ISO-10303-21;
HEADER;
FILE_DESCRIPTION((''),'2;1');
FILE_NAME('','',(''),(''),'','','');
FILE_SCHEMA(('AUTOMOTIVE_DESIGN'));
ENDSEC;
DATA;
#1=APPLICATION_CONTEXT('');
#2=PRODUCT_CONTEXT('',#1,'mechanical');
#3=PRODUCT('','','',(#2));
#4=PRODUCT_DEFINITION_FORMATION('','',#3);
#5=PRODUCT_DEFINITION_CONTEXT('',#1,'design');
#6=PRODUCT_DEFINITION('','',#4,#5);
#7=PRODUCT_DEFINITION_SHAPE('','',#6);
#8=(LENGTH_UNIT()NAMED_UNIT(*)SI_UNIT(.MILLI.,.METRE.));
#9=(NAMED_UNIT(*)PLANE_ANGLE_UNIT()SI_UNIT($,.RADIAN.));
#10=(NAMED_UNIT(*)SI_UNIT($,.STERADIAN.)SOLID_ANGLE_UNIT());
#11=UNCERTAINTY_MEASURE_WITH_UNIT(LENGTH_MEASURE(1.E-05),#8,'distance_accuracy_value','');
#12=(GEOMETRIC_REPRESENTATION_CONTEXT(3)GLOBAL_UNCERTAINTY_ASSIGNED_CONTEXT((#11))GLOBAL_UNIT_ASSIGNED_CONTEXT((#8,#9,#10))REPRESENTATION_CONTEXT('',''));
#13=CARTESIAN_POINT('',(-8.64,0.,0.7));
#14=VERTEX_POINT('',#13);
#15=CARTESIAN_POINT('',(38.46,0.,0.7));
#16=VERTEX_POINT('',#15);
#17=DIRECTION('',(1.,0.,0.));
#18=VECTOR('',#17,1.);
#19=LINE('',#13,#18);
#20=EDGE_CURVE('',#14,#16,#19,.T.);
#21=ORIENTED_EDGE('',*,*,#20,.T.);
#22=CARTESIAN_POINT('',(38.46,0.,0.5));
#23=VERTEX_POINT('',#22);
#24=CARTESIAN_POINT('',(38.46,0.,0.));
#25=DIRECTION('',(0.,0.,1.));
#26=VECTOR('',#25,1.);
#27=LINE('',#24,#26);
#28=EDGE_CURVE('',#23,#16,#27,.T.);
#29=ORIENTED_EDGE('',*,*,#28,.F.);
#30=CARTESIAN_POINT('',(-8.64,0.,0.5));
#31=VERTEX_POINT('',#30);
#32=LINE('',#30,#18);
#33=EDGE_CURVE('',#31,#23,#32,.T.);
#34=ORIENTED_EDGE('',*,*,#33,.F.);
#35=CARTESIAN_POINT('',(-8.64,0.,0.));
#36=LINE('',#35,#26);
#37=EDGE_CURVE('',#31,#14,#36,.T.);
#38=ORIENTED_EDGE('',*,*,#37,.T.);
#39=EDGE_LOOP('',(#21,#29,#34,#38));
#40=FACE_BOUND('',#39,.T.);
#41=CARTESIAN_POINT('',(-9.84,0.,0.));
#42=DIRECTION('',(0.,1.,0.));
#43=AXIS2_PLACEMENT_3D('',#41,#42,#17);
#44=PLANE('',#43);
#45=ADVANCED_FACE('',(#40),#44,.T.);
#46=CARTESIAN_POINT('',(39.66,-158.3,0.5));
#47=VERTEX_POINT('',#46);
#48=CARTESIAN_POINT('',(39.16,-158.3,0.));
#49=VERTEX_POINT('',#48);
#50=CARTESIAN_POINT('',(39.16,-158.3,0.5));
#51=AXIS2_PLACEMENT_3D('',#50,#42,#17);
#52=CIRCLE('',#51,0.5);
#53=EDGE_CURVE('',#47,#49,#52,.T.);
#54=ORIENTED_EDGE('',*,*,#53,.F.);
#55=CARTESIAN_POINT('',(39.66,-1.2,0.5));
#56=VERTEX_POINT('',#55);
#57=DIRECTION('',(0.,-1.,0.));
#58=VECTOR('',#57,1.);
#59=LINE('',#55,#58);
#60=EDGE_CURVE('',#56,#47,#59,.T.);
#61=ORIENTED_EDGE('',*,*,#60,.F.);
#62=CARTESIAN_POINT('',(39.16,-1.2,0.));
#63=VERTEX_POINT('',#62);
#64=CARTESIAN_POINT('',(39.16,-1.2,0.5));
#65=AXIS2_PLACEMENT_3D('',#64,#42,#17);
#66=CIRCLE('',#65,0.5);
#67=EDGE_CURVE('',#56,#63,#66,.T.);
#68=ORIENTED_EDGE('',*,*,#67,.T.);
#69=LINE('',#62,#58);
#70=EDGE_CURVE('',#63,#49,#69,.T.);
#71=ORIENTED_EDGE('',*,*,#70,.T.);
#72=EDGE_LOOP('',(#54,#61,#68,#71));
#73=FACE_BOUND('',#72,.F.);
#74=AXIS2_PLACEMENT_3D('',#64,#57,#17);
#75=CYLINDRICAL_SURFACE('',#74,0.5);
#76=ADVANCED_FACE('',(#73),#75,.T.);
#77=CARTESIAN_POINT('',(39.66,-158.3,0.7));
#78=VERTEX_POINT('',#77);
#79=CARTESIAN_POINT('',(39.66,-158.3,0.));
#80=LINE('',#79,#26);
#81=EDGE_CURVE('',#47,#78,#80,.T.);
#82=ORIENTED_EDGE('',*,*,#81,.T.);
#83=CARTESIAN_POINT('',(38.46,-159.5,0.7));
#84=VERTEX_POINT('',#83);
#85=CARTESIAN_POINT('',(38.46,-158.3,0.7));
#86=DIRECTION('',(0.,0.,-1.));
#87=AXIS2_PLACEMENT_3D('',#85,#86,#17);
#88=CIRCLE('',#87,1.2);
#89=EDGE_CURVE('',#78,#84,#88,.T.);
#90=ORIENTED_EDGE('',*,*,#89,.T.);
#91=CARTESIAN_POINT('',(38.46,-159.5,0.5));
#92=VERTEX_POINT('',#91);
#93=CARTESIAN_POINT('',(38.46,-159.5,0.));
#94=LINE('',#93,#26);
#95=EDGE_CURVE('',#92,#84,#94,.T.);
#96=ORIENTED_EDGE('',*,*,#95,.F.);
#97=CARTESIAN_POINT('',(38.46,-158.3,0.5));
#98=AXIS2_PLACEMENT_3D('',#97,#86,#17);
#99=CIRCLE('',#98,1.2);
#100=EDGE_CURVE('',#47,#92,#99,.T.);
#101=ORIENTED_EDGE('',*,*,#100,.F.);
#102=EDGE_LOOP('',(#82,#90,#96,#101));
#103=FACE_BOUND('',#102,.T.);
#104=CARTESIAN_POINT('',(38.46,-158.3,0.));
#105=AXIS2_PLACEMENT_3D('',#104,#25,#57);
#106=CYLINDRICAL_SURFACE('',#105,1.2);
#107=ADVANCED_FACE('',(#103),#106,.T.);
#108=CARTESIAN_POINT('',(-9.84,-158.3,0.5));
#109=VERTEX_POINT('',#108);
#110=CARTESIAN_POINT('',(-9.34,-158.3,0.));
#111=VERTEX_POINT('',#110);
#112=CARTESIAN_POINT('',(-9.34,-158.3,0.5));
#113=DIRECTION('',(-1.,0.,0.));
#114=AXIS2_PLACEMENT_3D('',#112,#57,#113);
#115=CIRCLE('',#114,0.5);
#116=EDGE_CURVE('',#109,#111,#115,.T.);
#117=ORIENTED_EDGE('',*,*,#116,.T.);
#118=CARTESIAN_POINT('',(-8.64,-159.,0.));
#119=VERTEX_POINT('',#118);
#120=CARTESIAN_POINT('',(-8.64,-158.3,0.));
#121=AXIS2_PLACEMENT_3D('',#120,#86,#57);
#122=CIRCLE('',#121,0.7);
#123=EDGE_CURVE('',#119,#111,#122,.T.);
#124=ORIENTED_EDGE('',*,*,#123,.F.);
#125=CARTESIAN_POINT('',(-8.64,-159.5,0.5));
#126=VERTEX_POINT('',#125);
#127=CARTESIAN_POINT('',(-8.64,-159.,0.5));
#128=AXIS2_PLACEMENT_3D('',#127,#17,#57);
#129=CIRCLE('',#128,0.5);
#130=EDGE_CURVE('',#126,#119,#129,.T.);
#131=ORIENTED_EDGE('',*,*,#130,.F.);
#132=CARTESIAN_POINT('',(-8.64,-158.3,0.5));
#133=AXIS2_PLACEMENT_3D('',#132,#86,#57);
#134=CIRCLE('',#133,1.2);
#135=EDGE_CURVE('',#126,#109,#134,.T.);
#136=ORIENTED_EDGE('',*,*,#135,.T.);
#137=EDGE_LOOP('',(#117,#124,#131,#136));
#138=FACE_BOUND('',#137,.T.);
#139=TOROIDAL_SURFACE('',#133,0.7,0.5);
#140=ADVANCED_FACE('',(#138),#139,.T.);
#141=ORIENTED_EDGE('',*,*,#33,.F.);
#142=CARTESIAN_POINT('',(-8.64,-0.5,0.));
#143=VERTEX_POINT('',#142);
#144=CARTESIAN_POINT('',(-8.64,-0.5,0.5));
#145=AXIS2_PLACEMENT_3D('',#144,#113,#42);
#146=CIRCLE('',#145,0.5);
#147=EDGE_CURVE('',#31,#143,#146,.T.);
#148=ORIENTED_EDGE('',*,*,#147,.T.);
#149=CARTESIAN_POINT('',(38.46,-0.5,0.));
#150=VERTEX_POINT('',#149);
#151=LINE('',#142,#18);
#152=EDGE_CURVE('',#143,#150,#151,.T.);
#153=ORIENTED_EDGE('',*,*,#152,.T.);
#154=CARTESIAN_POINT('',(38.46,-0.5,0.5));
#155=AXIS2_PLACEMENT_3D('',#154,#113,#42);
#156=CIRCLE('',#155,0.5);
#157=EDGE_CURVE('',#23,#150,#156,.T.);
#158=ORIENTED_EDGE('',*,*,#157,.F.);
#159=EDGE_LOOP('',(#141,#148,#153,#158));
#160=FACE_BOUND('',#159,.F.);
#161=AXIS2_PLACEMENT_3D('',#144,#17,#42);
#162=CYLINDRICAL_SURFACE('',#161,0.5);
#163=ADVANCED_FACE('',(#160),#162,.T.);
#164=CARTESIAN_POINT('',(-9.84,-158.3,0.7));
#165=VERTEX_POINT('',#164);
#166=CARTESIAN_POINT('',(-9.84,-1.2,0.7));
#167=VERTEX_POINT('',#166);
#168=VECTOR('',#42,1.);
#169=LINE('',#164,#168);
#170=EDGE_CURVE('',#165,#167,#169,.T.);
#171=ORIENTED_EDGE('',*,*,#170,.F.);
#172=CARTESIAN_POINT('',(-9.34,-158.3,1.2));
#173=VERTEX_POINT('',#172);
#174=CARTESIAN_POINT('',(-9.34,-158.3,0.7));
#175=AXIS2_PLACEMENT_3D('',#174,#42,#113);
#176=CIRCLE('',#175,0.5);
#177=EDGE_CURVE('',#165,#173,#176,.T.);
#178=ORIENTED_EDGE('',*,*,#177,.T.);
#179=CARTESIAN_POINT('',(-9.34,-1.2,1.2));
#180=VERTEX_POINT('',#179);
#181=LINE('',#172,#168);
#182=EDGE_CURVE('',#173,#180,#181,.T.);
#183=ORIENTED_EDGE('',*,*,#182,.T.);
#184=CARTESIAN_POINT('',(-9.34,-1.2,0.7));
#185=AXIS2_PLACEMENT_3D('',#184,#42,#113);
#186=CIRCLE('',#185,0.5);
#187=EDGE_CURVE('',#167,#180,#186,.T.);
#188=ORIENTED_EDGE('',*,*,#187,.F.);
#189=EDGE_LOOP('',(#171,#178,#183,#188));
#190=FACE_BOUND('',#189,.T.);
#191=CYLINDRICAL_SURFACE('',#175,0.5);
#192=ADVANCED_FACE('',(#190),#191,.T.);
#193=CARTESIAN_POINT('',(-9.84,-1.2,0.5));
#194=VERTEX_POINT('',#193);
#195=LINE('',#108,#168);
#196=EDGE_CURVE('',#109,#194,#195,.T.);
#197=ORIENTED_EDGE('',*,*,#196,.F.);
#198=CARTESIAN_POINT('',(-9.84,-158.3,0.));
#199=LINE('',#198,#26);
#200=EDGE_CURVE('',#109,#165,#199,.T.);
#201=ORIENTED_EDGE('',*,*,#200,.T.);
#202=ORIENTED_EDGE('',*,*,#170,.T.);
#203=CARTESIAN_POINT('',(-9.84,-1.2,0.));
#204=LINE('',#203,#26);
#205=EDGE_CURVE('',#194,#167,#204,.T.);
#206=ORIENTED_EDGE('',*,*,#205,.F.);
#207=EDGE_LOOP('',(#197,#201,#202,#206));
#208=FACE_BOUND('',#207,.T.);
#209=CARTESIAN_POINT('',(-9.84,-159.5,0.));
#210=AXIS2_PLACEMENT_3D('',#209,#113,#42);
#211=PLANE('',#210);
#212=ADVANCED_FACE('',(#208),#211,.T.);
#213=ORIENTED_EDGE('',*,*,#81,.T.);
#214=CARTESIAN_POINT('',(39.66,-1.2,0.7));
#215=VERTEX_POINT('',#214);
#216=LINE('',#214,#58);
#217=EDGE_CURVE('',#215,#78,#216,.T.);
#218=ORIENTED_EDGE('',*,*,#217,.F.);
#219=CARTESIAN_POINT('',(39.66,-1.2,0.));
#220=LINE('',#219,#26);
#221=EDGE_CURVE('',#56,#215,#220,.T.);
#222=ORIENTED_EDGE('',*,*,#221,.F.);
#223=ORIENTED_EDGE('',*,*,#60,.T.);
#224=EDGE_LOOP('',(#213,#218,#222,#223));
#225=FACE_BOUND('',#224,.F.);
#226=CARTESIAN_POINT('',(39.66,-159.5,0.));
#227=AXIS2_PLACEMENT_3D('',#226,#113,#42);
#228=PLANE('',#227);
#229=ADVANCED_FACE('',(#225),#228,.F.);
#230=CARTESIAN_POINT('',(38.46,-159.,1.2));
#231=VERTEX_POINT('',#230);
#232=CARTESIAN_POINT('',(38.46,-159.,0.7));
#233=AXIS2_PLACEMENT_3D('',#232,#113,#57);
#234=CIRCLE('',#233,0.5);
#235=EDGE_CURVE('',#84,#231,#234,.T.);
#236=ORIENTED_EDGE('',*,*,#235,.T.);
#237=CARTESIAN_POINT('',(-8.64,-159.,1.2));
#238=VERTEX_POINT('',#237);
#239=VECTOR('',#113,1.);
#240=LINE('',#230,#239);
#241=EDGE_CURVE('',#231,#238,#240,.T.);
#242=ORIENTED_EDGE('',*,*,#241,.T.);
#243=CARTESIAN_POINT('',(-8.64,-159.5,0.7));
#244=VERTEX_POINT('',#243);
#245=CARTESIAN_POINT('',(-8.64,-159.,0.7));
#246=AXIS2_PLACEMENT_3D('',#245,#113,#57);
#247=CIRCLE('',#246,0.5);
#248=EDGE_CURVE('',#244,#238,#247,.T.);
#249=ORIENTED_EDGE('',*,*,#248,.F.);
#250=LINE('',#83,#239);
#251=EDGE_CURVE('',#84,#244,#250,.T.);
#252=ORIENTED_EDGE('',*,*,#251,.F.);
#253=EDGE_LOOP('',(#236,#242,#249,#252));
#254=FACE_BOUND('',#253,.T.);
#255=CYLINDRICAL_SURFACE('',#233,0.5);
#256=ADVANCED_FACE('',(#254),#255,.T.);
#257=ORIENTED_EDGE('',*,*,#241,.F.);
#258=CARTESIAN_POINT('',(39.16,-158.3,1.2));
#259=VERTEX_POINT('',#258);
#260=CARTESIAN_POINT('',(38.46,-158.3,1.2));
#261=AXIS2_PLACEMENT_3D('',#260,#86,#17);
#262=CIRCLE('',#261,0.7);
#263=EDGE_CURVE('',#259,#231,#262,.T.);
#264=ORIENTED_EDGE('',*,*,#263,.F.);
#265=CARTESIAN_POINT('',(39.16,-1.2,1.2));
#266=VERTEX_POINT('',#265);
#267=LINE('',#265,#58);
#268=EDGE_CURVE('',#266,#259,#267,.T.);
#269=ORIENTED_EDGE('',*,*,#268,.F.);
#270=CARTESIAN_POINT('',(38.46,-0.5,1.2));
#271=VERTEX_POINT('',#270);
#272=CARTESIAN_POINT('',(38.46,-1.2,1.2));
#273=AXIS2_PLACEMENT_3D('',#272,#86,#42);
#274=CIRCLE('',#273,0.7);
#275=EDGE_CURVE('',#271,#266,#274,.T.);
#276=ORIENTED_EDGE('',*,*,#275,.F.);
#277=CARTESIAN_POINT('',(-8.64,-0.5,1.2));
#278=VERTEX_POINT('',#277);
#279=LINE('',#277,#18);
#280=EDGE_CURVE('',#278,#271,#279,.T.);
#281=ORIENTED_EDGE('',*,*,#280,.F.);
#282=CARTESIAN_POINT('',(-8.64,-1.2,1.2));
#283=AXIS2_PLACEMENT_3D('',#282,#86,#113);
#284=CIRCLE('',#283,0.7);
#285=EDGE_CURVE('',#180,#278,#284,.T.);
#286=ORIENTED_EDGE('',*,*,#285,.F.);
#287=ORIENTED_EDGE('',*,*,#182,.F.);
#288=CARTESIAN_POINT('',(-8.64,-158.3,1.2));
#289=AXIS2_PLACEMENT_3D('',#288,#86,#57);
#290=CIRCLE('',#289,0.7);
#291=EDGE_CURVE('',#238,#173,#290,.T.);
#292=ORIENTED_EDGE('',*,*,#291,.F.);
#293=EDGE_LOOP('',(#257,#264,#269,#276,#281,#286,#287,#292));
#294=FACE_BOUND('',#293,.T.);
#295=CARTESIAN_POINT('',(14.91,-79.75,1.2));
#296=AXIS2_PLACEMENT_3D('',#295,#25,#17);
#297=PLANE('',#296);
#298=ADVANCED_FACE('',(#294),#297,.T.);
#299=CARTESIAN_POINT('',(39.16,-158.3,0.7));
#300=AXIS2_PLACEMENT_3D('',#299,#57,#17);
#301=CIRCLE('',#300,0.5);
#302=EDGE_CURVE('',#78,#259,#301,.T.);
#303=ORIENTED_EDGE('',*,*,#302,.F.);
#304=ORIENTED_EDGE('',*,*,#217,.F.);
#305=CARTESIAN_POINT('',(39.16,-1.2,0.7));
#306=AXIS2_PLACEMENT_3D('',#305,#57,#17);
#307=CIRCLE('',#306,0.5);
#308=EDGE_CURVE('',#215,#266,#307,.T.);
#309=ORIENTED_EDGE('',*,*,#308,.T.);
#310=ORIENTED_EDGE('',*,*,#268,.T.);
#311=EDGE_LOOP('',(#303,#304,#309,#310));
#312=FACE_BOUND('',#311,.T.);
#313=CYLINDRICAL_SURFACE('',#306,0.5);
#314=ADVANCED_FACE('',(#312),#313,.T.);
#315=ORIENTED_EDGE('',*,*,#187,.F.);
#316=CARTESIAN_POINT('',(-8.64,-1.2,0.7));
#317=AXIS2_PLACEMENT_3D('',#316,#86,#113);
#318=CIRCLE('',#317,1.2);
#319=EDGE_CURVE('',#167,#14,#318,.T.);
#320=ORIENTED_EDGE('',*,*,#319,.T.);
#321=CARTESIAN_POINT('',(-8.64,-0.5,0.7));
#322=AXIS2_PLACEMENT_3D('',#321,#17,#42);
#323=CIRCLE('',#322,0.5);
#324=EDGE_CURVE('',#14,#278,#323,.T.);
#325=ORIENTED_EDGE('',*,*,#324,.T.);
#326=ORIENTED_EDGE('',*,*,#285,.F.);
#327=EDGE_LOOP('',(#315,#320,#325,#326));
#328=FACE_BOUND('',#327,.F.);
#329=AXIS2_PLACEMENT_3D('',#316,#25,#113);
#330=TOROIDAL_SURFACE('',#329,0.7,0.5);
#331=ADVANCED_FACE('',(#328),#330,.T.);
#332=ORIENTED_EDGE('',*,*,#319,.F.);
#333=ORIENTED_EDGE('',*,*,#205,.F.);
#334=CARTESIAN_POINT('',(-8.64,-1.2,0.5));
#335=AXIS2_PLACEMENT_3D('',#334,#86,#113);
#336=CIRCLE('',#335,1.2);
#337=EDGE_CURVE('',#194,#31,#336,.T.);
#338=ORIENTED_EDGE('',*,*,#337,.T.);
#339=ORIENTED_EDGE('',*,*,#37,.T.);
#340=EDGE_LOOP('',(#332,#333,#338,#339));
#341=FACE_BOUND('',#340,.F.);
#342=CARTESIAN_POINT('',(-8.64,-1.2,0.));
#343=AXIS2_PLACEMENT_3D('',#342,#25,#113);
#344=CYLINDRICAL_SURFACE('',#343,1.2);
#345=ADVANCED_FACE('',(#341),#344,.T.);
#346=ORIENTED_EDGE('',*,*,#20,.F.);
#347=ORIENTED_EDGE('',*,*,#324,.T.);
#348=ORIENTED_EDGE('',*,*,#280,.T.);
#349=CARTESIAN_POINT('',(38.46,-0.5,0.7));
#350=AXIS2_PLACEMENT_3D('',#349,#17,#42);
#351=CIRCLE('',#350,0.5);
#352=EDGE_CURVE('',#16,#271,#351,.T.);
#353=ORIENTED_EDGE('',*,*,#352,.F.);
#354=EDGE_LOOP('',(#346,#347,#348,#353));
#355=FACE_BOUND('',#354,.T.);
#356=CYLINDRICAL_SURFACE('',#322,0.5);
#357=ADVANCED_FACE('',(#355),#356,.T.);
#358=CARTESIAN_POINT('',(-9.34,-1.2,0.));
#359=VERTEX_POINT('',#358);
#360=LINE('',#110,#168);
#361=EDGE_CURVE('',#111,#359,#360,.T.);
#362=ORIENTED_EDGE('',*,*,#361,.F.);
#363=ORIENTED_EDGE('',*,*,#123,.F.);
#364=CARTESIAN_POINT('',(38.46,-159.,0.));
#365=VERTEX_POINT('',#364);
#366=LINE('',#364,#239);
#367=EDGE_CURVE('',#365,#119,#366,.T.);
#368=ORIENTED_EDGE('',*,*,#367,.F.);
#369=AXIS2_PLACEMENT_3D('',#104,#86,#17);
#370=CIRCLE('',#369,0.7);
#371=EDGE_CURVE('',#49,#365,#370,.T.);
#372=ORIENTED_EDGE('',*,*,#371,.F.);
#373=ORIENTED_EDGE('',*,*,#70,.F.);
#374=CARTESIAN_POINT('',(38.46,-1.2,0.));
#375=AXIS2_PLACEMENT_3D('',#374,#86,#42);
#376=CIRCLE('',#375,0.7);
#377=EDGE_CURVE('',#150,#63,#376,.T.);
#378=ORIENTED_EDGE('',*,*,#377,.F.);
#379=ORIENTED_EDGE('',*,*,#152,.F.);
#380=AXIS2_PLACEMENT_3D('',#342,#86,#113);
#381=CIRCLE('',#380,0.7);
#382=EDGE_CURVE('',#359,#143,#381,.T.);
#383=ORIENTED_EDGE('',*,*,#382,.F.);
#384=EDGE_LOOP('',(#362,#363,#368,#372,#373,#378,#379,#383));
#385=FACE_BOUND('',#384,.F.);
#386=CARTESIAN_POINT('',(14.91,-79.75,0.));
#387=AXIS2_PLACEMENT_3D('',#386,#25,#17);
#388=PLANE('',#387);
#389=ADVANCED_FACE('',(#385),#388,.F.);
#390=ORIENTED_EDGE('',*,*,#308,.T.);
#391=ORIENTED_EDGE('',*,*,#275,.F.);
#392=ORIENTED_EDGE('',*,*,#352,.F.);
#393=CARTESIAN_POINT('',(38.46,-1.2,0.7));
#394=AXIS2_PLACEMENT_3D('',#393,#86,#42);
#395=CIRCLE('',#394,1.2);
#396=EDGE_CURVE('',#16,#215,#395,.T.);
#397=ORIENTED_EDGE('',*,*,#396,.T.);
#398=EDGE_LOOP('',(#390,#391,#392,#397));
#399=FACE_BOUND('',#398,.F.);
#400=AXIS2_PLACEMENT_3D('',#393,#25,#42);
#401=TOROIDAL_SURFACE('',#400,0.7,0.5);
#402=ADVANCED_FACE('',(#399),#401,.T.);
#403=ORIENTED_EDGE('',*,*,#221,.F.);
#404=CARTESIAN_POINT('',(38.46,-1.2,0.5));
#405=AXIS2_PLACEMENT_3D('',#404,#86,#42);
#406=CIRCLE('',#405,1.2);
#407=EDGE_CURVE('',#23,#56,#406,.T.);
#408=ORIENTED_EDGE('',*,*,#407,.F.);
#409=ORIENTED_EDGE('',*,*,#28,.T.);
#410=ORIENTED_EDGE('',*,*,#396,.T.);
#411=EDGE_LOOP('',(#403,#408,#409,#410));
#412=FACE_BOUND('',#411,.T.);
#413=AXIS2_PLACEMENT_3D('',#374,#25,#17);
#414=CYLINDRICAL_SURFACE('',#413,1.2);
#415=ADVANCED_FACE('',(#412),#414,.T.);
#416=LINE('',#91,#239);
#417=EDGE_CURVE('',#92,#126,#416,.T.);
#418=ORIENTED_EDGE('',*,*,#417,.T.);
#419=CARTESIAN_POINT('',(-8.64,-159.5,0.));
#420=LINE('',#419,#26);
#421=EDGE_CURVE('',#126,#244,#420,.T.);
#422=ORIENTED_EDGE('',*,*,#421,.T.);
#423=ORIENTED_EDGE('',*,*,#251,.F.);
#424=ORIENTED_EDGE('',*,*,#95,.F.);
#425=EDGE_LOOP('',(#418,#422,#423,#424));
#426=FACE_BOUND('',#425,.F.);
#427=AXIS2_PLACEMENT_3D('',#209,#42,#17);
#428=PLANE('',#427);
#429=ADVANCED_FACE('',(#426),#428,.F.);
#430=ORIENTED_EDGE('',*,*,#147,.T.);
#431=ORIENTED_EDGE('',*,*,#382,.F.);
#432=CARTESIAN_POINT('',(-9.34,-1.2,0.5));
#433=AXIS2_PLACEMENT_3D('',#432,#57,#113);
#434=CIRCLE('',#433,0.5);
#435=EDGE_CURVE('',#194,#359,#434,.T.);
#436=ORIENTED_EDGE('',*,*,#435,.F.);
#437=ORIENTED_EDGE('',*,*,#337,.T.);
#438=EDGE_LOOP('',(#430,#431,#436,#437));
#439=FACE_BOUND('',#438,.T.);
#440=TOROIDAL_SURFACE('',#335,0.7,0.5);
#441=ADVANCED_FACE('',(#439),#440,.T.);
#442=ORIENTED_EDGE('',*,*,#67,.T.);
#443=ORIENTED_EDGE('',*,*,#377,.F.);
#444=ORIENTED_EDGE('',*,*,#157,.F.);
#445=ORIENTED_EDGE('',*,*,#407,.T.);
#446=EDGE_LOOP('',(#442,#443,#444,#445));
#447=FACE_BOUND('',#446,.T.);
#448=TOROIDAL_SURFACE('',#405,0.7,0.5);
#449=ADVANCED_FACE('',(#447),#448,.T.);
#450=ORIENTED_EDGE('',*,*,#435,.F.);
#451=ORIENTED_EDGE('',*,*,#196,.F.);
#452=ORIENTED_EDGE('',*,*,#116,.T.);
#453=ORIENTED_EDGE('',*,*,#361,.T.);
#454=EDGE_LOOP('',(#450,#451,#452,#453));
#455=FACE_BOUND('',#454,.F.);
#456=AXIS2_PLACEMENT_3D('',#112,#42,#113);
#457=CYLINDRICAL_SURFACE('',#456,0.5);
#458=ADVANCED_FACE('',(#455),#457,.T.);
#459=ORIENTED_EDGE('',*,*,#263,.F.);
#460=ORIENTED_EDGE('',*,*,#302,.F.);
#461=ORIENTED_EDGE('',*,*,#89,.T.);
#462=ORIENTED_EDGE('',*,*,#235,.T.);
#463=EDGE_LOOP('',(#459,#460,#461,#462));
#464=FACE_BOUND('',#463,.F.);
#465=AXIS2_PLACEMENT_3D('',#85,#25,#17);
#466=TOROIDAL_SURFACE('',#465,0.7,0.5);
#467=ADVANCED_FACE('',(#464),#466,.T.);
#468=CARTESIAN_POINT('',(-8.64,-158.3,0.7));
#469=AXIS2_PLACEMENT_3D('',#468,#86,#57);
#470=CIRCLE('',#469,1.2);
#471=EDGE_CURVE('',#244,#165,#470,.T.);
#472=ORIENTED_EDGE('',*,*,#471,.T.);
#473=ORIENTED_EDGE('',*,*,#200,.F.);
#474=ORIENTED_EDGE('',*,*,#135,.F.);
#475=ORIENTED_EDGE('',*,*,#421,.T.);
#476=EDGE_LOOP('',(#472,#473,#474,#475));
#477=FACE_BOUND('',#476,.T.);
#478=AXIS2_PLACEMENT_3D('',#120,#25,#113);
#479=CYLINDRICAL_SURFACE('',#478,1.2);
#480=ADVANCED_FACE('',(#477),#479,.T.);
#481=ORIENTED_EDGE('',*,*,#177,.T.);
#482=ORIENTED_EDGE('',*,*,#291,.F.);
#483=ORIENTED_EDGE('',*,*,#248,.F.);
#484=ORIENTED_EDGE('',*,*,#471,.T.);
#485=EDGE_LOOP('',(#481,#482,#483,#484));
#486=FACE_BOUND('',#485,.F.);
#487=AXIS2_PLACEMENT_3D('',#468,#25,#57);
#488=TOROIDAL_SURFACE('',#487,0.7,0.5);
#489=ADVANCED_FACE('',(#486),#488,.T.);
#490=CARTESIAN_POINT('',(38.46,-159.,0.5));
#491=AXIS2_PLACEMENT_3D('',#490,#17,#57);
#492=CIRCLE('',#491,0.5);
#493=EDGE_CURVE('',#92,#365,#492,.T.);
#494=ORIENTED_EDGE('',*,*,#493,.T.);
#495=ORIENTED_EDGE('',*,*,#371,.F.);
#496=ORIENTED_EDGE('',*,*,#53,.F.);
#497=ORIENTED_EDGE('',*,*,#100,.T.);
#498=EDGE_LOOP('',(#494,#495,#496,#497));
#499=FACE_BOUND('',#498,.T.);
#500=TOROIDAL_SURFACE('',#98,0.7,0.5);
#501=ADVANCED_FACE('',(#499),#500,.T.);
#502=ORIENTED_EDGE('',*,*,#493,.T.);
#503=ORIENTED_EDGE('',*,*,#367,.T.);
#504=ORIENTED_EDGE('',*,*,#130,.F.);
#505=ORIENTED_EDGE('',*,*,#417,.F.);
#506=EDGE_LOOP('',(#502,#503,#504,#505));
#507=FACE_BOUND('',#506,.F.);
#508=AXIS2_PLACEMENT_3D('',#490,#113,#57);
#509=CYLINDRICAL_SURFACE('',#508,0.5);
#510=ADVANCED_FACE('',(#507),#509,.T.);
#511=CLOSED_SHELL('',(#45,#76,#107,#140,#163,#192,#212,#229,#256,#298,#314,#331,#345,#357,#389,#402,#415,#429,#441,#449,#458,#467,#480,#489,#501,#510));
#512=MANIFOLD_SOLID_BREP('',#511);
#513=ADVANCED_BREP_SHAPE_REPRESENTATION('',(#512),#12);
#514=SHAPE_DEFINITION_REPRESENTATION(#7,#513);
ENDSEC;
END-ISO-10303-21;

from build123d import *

# Parameters (mm, degrees)
SKETCH001_W  = 49.5
SKETCH001_H  = 159.5
PAD001_DEPTH = 1.2
FILLET004_R  = 1.2
FILLET005_R  = 0.5
FILLET006_R  = 0.5


with BuildPart() as part:
    # Sketch001 → Pad001 (new body)
    with BuildSketch(Plane.XY):
        with Locations((14.91, -79.75)):
            Rectangle(SKETCH001_W, SKETCH001_H)
    extrude(amount=PAD001_DEPTH)

    # Fillet004
    fillet004_edges = [part.edges().sort_by_distance(p)[0] for p in [
        (39.66, -159.5, 0.6),
        (39.66, 0, 0.6),
        (-9.84, 0, 0.6),
        (-9.84, -159.5, 0.6),
    ]]
    fillet(fillet004_edges, radius=FILLET004_R)

    # Fillet005
    fillet005_edges = [part.edges().sort_by_distance(p)[0] for p in [
        (-9.84, -79.75, 0),
    ]]
    fillet(fillet005_edges, radius=FILLET005_R)

    # Fillet006
    fillet006_edges = [part.edges().sort_by_distance(p)[0] for p in [
        (-9.84, -79.75, 1.2),
    ]]
    fillet(fillet006_edges, radius=FILLET006_R)


solid = part.part
